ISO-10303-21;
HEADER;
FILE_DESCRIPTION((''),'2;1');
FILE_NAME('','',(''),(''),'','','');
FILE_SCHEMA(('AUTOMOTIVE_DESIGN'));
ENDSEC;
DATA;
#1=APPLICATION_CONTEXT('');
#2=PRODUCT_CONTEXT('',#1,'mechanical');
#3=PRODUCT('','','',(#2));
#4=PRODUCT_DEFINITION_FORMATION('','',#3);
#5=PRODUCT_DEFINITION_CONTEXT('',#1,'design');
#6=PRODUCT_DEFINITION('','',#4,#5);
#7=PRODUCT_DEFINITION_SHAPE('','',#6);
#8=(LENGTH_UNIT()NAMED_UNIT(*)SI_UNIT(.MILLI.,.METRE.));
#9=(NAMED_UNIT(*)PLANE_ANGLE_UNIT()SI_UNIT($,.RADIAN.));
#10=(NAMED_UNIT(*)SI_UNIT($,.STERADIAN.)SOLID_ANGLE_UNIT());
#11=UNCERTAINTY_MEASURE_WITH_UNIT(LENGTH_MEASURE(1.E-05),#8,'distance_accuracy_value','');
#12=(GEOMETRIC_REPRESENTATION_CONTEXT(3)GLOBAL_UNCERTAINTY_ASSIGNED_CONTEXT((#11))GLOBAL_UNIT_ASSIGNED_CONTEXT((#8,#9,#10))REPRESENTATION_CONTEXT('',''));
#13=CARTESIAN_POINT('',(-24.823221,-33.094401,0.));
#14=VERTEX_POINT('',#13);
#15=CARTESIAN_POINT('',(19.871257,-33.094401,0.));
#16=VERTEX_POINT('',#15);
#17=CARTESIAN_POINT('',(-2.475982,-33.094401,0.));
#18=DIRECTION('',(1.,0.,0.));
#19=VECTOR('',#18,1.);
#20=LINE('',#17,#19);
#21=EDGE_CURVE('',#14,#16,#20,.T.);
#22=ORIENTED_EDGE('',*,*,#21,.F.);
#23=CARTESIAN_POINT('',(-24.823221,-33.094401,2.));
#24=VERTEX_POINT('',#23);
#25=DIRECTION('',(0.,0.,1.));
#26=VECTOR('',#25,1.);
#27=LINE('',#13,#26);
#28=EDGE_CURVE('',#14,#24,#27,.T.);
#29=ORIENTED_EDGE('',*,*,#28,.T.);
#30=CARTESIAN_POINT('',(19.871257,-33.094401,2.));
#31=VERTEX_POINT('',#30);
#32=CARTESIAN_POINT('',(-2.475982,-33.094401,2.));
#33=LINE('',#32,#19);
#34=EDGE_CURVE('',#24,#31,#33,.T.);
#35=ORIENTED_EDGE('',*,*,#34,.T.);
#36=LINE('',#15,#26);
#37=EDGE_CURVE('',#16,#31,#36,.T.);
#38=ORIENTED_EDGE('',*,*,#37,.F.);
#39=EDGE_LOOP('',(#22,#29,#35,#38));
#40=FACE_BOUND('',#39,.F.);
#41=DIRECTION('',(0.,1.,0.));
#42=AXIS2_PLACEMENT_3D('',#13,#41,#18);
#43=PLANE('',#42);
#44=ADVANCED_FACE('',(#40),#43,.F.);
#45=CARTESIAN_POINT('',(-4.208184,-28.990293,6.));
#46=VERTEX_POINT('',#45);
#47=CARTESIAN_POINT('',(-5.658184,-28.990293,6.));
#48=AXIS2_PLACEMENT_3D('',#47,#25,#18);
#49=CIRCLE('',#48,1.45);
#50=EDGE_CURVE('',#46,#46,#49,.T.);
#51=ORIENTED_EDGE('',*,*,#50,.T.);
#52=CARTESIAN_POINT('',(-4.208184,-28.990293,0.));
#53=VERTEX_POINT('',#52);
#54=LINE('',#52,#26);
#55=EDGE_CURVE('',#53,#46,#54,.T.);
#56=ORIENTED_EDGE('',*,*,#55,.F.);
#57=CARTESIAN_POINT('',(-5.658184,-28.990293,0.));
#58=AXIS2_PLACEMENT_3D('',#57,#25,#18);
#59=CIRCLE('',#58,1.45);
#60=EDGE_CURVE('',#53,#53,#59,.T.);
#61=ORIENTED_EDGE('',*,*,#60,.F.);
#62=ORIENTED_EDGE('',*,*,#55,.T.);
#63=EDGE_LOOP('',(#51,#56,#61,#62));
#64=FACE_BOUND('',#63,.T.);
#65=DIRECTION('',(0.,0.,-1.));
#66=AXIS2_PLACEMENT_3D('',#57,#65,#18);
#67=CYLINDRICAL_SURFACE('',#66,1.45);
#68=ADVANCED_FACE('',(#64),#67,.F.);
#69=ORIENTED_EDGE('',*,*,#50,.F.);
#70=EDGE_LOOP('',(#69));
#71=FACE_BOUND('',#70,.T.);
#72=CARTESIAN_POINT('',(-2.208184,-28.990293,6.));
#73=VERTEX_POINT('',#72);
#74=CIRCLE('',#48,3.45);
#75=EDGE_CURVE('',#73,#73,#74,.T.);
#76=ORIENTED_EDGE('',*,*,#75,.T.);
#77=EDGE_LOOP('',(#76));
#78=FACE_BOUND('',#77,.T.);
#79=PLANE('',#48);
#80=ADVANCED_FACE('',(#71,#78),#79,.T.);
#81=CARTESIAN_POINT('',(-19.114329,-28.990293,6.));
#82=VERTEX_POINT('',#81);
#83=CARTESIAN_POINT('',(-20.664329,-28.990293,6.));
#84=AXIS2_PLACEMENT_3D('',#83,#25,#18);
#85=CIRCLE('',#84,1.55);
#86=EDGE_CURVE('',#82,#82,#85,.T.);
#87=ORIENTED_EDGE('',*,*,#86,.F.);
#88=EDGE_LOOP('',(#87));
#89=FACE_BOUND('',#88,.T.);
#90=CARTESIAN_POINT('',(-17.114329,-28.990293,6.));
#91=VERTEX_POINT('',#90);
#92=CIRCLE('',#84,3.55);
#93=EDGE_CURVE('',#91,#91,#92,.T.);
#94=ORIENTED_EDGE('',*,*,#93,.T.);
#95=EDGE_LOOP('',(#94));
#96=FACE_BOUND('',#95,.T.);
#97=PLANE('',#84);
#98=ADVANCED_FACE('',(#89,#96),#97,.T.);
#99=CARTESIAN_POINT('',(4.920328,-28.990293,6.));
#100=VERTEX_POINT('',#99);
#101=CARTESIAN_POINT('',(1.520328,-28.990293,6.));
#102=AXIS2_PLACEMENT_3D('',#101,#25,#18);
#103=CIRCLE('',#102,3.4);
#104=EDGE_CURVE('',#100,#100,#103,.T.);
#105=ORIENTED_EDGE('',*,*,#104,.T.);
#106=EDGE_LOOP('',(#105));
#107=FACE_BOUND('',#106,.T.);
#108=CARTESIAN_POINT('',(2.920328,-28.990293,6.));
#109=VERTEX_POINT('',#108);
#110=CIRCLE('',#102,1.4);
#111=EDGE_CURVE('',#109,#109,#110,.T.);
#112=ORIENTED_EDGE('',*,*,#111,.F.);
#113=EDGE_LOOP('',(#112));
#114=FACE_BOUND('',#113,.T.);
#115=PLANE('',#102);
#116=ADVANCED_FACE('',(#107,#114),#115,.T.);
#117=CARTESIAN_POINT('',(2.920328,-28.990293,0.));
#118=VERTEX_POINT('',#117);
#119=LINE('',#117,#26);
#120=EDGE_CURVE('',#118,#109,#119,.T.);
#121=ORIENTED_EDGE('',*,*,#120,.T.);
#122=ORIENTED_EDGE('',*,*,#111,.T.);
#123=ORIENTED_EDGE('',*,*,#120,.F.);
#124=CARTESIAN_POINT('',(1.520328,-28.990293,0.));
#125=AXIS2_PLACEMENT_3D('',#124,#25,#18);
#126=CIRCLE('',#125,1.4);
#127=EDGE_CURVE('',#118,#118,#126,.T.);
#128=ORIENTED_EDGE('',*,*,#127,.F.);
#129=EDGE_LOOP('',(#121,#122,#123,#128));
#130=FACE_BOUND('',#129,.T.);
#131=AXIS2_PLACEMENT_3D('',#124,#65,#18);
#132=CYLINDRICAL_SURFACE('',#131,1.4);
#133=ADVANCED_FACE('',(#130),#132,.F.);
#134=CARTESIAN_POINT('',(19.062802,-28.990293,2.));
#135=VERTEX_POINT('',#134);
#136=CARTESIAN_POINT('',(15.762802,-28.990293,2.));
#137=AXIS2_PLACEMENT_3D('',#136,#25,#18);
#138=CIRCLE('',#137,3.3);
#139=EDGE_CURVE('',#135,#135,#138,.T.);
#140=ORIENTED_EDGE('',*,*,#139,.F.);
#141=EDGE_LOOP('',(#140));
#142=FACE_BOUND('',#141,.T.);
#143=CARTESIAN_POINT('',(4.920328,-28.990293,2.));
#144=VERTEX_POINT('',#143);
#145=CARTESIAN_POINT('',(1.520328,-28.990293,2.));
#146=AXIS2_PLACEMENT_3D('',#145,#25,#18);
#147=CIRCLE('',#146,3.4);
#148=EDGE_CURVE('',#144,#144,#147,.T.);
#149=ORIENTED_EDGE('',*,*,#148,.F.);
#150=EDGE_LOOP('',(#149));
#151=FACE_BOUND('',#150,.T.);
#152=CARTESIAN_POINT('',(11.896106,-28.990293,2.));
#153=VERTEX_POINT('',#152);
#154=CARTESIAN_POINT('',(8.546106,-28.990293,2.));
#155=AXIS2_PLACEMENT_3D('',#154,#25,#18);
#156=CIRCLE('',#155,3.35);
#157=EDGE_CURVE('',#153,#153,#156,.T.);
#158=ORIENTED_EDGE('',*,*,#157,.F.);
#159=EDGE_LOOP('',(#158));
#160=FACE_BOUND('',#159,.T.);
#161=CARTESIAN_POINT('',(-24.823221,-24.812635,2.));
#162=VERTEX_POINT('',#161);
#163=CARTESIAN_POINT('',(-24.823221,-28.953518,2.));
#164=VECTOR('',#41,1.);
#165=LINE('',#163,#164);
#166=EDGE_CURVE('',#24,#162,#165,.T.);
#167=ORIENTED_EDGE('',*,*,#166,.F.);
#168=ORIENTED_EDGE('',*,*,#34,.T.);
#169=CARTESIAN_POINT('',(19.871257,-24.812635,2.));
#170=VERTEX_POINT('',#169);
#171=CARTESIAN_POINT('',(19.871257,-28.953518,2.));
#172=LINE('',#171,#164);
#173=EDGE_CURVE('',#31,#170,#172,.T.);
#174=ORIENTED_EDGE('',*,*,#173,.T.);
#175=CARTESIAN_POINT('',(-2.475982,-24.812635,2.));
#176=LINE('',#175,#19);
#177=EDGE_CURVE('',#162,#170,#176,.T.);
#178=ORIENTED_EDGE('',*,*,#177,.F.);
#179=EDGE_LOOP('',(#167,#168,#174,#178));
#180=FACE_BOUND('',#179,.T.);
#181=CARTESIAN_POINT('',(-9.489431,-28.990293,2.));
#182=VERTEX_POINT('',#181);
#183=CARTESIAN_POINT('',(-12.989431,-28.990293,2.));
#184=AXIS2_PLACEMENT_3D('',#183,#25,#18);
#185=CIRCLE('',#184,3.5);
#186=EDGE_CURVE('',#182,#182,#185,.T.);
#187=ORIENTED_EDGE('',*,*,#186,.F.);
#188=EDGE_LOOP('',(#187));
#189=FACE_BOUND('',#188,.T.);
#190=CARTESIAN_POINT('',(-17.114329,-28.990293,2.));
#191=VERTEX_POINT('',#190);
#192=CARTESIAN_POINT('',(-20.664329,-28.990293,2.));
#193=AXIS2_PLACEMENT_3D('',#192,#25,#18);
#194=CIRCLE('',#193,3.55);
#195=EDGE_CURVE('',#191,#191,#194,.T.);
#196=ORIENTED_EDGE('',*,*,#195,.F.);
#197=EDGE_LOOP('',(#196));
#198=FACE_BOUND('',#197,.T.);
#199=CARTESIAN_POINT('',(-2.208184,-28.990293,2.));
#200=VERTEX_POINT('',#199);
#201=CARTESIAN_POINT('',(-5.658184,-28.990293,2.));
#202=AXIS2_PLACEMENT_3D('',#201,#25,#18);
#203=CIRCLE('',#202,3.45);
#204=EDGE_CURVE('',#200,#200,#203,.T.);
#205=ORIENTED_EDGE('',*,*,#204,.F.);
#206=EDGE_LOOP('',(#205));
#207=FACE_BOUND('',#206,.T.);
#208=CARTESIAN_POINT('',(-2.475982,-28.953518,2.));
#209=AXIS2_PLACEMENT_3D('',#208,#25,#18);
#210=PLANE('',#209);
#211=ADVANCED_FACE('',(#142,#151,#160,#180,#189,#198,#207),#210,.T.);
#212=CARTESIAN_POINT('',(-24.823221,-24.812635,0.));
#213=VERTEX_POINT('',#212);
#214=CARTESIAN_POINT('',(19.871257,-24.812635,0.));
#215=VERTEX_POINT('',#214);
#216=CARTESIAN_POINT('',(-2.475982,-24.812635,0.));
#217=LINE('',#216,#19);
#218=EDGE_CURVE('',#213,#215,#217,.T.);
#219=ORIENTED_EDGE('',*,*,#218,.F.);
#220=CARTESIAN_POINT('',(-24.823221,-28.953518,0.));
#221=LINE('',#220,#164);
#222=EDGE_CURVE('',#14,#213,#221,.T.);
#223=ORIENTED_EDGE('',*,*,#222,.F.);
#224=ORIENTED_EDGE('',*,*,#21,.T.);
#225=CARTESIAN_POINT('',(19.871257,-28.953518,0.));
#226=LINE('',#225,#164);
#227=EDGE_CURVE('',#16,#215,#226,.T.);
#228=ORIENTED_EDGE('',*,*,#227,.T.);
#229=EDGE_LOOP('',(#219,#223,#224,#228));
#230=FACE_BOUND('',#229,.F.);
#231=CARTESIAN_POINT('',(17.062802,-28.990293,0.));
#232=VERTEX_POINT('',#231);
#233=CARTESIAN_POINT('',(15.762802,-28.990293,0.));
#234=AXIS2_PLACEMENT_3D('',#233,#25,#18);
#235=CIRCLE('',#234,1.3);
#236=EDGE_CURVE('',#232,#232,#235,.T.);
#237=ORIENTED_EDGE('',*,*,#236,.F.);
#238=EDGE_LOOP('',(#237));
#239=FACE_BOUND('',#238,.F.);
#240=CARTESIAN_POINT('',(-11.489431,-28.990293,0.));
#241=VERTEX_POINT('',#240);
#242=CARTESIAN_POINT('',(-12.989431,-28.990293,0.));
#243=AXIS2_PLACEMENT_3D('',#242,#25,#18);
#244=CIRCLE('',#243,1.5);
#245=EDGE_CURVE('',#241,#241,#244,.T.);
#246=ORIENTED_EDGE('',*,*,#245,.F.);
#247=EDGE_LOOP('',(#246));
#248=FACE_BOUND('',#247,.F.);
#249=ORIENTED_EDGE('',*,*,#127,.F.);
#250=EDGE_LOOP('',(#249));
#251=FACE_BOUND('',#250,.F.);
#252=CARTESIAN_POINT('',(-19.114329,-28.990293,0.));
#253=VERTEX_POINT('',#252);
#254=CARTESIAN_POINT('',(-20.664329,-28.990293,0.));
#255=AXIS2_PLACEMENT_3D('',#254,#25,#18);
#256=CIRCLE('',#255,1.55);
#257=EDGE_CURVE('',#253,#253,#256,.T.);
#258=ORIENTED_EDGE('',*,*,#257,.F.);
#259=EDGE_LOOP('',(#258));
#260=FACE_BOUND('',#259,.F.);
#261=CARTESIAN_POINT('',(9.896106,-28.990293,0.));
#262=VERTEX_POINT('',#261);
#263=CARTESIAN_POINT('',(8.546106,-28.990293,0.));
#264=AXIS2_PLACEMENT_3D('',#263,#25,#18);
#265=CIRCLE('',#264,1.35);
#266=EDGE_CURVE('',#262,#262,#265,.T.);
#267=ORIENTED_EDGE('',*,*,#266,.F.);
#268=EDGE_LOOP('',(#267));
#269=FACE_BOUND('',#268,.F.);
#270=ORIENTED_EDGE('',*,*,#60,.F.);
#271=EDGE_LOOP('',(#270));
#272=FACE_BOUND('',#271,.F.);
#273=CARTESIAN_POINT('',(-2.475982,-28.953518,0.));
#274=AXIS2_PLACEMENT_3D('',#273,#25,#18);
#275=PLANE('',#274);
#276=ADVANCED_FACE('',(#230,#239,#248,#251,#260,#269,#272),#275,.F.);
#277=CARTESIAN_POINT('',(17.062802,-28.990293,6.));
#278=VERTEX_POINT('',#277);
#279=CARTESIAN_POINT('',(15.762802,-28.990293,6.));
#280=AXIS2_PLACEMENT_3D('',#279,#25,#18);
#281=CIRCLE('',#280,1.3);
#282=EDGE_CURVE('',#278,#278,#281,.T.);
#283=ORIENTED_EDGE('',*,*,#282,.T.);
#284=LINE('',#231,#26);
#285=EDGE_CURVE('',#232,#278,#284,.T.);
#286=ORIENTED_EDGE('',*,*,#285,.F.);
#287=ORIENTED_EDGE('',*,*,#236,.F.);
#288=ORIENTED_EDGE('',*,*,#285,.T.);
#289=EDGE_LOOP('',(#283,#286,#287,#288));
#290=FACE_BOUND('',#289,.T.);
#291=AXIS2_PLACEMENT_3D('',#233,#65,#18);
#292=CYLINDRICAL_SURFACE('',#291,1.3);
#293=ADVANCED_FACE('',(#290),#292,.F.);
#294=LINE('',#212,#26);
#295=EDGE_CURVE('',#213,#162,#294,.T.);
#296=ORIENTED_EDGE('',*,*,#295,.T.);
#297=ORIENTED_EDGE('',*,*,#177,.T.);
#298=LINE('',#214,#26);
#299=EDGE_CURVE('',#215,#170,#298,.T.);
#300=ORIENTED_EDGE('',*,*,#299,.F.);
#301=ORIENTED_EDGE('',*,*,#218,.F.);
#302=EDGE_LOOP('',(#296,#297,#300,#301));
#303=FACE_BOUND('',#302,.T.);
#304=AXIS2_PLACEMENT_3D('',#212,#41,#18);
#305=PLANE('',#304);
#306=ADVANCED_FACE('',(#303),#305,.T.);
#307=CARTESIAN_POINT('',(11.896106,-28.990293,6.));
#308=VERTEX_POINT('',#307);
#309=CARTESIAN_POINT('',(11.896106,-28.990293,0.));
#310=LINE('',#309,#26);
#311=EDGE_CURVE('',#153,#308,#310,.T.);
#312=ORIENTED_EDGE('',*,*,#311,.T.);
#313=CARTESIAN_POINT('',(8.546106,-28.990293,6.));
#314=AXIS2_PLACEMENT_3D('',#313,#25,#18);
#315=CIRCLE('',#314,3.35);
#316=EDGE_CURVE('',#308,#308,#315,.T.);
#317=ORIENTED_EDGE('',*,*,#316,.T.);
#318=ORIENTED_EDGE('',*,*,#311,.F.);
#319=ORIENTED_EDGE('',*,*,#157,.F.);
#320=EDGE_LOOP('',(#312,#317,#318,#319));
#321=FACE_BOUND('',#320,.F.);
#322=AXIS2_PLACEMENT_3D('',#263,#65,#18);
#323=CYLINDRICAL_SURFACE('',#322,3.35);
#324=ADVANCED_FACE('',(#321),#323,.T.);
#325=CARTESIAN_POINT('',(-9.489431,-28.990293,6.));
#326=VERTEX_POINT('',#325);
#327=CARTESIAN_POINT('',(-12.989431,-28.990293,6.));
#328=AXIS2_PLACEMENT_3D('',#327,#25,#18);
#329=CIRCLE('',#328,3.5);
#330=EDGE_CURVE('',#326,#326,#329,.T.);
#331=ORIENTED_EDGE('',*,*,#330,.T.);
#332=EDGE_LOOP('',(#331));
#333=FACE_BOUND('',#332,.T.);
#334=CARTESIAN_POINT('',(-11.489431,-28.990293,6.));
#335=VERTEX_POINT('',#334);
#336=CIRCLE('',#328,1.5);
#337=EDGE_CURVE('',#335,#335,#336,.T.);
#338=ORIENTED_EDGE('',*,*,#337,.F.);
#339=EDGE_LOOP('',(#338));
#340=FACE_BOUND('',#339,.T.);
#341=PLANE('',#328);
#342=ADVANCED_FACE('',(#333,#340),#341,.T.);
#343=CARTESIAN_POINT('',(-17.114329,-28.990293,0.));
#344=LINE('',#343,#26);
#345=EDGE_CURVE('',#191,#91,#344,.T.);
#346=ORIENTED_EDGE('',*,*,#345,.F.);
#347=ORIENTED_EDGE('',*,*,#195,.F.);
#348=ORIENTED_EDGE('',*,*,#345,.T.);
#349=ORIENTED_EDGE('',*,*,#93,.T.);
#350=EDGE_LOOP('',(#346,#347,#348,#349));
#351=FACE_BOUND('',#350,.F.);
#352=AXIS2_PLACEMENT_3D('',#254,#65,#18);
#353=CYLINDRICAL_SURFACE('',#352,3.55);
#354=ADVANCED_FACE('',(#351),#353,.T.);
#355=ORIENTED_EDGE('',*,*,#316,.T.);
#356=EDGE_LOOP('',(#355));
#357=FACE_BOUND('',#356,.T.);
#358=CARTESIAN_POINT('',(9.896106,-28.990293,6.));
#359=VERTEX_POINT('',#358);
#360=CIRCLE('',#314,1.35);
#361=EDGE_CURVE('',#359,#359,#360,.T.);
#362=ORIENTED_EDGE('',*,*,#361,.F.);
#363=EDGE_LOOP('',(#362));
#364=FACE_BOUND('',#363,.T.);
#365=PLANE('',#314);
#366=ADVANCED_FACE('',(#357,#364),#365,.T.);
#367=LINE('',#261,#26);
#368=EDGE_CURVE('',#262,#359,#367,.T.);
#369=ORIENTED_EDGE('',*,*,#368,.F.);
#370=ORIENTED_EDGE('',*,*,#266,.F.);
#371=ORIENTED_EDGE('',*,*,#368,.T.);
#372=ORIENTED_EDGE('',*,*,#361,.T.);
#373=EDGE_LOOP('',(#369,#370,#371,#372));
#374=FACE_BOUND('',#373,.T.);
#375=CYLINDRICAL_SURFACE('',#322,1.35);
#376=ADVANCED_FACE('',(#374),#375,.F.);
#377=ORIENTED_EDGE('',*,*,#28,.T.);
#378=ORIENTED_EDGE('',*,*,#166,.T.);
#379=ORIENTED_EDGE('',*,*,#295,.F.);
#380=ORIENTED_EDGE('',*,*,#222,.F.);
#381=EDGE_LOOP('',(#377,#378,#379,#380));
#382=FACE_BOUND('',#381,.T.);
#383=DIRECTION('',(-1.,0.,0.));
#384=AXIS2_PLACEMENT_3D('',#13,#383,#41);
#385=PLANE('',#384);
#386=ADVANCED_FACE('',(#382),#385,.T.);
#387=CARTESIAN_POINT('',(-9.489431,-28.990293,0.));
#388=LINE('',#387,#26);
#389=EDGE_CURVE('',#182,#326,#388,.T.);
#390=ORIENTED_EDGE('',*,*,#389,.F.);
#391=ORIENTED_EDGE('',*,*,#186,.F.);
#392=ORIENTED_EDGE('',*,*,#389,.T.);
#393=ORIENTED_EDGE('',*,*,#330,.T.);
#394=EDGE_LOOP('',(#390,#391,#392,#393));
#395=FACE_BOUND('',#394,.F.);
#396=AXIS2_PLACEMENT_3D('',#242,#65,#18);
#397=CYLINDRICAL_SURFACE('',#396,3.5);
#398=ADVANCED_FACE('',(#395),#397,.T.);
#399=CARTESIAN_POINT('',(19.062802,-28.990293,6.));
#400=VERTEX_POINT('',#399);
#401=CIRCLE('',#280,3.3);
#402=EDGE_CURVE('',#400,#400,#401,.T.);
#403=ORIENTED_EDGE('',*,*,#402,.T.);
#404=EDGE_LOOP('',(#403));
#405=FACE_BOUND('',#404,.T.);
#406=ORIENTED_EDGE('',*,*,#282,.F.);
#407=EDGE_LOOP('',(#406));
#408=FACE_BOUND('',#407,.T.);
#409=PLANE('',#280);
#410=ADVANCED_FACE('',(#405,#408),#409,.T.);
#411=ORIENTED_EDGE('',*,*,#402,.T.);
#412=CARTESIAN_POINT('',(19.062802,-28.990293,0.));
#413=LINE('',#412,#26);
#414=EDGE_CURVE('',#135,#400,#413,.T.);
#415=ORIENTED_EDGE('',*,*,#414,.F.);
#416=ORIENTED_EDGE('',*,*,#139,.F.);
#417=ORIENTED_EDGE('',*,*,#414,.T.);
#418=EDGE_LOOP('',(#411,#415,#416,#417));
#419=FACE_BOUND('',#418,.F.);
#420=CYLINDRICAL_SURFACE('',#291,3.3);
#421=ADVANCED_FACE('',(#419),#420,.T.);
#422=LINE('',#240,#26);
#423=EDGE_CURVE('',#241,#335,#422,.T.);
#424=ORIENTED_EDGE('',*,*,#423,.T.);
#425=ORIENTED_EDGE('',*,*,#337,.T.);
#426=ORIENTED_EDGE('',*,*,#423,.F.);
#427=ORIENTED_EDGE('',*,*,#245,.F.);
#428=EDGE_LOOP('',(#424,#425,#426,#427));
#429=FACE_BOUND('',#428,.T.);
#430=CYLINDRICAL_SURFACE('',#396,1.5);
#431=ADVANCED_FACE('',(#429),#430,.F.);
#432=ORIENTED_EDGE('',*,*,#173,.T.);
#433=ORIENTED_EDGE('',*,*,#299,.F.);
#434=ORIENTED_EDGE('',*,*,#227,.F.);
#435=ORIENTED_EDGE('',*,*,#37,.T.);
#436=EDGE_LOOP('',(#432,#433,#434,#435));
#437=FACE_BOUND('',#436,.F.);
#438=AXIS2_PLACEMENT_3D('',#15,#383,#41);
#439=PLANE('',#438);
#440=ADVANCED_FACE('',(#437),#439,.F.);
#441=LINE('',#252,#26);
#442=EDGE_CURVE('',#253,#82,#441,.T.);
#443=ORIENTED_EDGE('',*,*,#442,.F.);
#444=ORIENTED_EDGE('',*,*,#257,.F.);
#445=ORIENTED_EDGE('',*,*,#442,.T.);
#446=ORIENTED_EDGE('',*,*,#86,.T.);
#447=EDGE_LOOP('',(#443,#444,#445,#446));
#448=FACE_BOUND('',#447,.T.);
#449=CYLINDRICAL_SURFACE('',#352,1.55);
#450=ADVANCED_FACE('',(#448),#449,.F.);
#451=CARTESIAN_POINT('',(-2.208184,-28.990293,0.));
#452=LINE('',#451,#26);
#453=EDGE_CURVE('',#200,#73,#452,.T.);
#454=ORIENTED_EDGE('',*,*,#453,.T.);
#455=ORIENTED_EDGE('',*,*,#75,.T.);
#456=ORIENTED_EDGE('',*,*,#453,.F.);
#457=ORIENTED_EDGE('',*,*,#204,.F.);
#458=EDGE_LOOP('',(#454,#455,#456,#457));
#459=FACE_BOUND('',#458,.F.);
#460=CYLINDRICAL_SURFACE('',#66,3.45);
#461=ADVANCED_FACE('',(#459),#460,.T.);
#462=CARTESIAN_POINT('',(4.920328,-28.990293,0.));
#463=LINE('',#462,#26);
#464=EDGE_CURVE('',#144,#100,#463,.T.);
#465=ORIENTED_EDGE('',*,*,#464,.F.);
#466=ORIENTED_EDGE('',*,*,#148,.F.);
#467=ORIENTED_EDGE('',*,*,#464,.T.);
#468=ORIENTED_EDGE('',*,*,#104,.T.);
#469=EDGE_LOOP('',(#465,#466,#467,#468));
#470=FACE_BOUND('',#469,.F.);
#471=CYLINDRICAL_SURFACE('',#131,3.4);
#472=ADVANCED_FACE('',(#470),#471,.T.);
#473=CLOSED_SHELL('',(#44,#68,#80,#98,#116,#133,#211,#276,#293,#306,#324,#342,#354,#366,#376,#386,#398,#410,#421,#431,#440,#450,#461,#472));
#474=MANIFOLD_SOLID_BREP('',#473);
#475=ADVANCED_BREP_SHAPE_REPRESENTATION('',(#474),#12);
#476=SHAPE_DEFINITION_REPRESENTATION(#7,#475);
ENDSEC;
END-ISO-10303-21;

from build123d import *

# Parameters (mm, degrees)
F0_W     = 44.694478
F0_H     = 8.281767
F0_R     = 3.55
F0_R_2   = 3.5
F0_R_3   = 3.45
F0_R_4   = 3.4
F0_R_5   = 3.35
F0_R_6   = 3.3
F1_DEPTH = 2
F0_R_7   = 1.55
F0_R_8   = 1.5
F0_R_9   = 1.45
F0_R_10  = 1.4
F0_R_11  = 1.35
F0_R_12  = 1.3
F2_DEPTH = 6


with BuildPart() as f1:
    # F0 (on Top) → F1 (new body)
    with BuildSketch(Plane.XY):
        with Locations((-2.475982, -28.953518)):
            Rectangle(F0_W, F0_H)
        with Locations((-20.664329, -28.990293)):
            Circle(F0_R, mode=Mode.SUBTRACT)
        with Locations((-12.989431, -28.990293)):
            Circle(F0_R_2, mode=Mode.SUBTRACT)
        with Locations((-5.658184, -28.990293)):
            Circle(F0_R_3, mode=Mode.SUBTRACT)
        with Locations((1.520328, -28.990293)):
            Circle(F0_R_4, mode=Mode.SUBTRACT)
        with Locations((8.546106, -28.990293)):
            Circle(F0_R_5, mode=Mode.SUBTRACT)
        with Locations((15.762802, -28.990293)):
            Circle(F0_R_6, mode=Mode.SUBTRACT)
    extrude(amount=F1_DEPTH)

    # F0 (on Top) → F2 (join)
    with BuildSketch(Plane.XY):
        with Locations((-20.664329, -28.990293)):
            Circle(F0_R)
        with Locations((-20.664329, -28.990293)):
            Circle(F0_R_7, mode=Mode.SUBTRACT)
        with Locations((-12.989431, -28.990293)):
            Circle(F0_R_2)
        with Locations((-12.989431, -28.990293)):
            Circle(F0_R_8, mode=Mode.SUBTRACT)
        with Locations((-5.658184, -28.990293)):
            Circle(F0_R_3)
        with Locations((-5.658184, -28.990293)):
            Circle(F0_R_9, mode=Mode.SUBTRACT)
        with Locations((1.520328, -28.990293)):
            Circle(F0_R_4)
        with Locations((1.520328, -28.990293)):
            Circle(F0_R_10, mode=Mode.SUBTRACT)
        with Locations((8.546106, -28.990293)):
            Circle(F0_R_5)
        with Locations((8.546106, -28.990293)):
            Circle(F0_R_11, mode=Mode.SUBTRACT)
        with Locations((15.762802, -28.990293)):
            Circle(F0_R_6)
        with Locations((15.762802, -28.990293)):
            Circle(F0_R_12, mode=Mode.SUBTRACT)
    extrude(amount=F2_DEPTH)


solid = f1.part
